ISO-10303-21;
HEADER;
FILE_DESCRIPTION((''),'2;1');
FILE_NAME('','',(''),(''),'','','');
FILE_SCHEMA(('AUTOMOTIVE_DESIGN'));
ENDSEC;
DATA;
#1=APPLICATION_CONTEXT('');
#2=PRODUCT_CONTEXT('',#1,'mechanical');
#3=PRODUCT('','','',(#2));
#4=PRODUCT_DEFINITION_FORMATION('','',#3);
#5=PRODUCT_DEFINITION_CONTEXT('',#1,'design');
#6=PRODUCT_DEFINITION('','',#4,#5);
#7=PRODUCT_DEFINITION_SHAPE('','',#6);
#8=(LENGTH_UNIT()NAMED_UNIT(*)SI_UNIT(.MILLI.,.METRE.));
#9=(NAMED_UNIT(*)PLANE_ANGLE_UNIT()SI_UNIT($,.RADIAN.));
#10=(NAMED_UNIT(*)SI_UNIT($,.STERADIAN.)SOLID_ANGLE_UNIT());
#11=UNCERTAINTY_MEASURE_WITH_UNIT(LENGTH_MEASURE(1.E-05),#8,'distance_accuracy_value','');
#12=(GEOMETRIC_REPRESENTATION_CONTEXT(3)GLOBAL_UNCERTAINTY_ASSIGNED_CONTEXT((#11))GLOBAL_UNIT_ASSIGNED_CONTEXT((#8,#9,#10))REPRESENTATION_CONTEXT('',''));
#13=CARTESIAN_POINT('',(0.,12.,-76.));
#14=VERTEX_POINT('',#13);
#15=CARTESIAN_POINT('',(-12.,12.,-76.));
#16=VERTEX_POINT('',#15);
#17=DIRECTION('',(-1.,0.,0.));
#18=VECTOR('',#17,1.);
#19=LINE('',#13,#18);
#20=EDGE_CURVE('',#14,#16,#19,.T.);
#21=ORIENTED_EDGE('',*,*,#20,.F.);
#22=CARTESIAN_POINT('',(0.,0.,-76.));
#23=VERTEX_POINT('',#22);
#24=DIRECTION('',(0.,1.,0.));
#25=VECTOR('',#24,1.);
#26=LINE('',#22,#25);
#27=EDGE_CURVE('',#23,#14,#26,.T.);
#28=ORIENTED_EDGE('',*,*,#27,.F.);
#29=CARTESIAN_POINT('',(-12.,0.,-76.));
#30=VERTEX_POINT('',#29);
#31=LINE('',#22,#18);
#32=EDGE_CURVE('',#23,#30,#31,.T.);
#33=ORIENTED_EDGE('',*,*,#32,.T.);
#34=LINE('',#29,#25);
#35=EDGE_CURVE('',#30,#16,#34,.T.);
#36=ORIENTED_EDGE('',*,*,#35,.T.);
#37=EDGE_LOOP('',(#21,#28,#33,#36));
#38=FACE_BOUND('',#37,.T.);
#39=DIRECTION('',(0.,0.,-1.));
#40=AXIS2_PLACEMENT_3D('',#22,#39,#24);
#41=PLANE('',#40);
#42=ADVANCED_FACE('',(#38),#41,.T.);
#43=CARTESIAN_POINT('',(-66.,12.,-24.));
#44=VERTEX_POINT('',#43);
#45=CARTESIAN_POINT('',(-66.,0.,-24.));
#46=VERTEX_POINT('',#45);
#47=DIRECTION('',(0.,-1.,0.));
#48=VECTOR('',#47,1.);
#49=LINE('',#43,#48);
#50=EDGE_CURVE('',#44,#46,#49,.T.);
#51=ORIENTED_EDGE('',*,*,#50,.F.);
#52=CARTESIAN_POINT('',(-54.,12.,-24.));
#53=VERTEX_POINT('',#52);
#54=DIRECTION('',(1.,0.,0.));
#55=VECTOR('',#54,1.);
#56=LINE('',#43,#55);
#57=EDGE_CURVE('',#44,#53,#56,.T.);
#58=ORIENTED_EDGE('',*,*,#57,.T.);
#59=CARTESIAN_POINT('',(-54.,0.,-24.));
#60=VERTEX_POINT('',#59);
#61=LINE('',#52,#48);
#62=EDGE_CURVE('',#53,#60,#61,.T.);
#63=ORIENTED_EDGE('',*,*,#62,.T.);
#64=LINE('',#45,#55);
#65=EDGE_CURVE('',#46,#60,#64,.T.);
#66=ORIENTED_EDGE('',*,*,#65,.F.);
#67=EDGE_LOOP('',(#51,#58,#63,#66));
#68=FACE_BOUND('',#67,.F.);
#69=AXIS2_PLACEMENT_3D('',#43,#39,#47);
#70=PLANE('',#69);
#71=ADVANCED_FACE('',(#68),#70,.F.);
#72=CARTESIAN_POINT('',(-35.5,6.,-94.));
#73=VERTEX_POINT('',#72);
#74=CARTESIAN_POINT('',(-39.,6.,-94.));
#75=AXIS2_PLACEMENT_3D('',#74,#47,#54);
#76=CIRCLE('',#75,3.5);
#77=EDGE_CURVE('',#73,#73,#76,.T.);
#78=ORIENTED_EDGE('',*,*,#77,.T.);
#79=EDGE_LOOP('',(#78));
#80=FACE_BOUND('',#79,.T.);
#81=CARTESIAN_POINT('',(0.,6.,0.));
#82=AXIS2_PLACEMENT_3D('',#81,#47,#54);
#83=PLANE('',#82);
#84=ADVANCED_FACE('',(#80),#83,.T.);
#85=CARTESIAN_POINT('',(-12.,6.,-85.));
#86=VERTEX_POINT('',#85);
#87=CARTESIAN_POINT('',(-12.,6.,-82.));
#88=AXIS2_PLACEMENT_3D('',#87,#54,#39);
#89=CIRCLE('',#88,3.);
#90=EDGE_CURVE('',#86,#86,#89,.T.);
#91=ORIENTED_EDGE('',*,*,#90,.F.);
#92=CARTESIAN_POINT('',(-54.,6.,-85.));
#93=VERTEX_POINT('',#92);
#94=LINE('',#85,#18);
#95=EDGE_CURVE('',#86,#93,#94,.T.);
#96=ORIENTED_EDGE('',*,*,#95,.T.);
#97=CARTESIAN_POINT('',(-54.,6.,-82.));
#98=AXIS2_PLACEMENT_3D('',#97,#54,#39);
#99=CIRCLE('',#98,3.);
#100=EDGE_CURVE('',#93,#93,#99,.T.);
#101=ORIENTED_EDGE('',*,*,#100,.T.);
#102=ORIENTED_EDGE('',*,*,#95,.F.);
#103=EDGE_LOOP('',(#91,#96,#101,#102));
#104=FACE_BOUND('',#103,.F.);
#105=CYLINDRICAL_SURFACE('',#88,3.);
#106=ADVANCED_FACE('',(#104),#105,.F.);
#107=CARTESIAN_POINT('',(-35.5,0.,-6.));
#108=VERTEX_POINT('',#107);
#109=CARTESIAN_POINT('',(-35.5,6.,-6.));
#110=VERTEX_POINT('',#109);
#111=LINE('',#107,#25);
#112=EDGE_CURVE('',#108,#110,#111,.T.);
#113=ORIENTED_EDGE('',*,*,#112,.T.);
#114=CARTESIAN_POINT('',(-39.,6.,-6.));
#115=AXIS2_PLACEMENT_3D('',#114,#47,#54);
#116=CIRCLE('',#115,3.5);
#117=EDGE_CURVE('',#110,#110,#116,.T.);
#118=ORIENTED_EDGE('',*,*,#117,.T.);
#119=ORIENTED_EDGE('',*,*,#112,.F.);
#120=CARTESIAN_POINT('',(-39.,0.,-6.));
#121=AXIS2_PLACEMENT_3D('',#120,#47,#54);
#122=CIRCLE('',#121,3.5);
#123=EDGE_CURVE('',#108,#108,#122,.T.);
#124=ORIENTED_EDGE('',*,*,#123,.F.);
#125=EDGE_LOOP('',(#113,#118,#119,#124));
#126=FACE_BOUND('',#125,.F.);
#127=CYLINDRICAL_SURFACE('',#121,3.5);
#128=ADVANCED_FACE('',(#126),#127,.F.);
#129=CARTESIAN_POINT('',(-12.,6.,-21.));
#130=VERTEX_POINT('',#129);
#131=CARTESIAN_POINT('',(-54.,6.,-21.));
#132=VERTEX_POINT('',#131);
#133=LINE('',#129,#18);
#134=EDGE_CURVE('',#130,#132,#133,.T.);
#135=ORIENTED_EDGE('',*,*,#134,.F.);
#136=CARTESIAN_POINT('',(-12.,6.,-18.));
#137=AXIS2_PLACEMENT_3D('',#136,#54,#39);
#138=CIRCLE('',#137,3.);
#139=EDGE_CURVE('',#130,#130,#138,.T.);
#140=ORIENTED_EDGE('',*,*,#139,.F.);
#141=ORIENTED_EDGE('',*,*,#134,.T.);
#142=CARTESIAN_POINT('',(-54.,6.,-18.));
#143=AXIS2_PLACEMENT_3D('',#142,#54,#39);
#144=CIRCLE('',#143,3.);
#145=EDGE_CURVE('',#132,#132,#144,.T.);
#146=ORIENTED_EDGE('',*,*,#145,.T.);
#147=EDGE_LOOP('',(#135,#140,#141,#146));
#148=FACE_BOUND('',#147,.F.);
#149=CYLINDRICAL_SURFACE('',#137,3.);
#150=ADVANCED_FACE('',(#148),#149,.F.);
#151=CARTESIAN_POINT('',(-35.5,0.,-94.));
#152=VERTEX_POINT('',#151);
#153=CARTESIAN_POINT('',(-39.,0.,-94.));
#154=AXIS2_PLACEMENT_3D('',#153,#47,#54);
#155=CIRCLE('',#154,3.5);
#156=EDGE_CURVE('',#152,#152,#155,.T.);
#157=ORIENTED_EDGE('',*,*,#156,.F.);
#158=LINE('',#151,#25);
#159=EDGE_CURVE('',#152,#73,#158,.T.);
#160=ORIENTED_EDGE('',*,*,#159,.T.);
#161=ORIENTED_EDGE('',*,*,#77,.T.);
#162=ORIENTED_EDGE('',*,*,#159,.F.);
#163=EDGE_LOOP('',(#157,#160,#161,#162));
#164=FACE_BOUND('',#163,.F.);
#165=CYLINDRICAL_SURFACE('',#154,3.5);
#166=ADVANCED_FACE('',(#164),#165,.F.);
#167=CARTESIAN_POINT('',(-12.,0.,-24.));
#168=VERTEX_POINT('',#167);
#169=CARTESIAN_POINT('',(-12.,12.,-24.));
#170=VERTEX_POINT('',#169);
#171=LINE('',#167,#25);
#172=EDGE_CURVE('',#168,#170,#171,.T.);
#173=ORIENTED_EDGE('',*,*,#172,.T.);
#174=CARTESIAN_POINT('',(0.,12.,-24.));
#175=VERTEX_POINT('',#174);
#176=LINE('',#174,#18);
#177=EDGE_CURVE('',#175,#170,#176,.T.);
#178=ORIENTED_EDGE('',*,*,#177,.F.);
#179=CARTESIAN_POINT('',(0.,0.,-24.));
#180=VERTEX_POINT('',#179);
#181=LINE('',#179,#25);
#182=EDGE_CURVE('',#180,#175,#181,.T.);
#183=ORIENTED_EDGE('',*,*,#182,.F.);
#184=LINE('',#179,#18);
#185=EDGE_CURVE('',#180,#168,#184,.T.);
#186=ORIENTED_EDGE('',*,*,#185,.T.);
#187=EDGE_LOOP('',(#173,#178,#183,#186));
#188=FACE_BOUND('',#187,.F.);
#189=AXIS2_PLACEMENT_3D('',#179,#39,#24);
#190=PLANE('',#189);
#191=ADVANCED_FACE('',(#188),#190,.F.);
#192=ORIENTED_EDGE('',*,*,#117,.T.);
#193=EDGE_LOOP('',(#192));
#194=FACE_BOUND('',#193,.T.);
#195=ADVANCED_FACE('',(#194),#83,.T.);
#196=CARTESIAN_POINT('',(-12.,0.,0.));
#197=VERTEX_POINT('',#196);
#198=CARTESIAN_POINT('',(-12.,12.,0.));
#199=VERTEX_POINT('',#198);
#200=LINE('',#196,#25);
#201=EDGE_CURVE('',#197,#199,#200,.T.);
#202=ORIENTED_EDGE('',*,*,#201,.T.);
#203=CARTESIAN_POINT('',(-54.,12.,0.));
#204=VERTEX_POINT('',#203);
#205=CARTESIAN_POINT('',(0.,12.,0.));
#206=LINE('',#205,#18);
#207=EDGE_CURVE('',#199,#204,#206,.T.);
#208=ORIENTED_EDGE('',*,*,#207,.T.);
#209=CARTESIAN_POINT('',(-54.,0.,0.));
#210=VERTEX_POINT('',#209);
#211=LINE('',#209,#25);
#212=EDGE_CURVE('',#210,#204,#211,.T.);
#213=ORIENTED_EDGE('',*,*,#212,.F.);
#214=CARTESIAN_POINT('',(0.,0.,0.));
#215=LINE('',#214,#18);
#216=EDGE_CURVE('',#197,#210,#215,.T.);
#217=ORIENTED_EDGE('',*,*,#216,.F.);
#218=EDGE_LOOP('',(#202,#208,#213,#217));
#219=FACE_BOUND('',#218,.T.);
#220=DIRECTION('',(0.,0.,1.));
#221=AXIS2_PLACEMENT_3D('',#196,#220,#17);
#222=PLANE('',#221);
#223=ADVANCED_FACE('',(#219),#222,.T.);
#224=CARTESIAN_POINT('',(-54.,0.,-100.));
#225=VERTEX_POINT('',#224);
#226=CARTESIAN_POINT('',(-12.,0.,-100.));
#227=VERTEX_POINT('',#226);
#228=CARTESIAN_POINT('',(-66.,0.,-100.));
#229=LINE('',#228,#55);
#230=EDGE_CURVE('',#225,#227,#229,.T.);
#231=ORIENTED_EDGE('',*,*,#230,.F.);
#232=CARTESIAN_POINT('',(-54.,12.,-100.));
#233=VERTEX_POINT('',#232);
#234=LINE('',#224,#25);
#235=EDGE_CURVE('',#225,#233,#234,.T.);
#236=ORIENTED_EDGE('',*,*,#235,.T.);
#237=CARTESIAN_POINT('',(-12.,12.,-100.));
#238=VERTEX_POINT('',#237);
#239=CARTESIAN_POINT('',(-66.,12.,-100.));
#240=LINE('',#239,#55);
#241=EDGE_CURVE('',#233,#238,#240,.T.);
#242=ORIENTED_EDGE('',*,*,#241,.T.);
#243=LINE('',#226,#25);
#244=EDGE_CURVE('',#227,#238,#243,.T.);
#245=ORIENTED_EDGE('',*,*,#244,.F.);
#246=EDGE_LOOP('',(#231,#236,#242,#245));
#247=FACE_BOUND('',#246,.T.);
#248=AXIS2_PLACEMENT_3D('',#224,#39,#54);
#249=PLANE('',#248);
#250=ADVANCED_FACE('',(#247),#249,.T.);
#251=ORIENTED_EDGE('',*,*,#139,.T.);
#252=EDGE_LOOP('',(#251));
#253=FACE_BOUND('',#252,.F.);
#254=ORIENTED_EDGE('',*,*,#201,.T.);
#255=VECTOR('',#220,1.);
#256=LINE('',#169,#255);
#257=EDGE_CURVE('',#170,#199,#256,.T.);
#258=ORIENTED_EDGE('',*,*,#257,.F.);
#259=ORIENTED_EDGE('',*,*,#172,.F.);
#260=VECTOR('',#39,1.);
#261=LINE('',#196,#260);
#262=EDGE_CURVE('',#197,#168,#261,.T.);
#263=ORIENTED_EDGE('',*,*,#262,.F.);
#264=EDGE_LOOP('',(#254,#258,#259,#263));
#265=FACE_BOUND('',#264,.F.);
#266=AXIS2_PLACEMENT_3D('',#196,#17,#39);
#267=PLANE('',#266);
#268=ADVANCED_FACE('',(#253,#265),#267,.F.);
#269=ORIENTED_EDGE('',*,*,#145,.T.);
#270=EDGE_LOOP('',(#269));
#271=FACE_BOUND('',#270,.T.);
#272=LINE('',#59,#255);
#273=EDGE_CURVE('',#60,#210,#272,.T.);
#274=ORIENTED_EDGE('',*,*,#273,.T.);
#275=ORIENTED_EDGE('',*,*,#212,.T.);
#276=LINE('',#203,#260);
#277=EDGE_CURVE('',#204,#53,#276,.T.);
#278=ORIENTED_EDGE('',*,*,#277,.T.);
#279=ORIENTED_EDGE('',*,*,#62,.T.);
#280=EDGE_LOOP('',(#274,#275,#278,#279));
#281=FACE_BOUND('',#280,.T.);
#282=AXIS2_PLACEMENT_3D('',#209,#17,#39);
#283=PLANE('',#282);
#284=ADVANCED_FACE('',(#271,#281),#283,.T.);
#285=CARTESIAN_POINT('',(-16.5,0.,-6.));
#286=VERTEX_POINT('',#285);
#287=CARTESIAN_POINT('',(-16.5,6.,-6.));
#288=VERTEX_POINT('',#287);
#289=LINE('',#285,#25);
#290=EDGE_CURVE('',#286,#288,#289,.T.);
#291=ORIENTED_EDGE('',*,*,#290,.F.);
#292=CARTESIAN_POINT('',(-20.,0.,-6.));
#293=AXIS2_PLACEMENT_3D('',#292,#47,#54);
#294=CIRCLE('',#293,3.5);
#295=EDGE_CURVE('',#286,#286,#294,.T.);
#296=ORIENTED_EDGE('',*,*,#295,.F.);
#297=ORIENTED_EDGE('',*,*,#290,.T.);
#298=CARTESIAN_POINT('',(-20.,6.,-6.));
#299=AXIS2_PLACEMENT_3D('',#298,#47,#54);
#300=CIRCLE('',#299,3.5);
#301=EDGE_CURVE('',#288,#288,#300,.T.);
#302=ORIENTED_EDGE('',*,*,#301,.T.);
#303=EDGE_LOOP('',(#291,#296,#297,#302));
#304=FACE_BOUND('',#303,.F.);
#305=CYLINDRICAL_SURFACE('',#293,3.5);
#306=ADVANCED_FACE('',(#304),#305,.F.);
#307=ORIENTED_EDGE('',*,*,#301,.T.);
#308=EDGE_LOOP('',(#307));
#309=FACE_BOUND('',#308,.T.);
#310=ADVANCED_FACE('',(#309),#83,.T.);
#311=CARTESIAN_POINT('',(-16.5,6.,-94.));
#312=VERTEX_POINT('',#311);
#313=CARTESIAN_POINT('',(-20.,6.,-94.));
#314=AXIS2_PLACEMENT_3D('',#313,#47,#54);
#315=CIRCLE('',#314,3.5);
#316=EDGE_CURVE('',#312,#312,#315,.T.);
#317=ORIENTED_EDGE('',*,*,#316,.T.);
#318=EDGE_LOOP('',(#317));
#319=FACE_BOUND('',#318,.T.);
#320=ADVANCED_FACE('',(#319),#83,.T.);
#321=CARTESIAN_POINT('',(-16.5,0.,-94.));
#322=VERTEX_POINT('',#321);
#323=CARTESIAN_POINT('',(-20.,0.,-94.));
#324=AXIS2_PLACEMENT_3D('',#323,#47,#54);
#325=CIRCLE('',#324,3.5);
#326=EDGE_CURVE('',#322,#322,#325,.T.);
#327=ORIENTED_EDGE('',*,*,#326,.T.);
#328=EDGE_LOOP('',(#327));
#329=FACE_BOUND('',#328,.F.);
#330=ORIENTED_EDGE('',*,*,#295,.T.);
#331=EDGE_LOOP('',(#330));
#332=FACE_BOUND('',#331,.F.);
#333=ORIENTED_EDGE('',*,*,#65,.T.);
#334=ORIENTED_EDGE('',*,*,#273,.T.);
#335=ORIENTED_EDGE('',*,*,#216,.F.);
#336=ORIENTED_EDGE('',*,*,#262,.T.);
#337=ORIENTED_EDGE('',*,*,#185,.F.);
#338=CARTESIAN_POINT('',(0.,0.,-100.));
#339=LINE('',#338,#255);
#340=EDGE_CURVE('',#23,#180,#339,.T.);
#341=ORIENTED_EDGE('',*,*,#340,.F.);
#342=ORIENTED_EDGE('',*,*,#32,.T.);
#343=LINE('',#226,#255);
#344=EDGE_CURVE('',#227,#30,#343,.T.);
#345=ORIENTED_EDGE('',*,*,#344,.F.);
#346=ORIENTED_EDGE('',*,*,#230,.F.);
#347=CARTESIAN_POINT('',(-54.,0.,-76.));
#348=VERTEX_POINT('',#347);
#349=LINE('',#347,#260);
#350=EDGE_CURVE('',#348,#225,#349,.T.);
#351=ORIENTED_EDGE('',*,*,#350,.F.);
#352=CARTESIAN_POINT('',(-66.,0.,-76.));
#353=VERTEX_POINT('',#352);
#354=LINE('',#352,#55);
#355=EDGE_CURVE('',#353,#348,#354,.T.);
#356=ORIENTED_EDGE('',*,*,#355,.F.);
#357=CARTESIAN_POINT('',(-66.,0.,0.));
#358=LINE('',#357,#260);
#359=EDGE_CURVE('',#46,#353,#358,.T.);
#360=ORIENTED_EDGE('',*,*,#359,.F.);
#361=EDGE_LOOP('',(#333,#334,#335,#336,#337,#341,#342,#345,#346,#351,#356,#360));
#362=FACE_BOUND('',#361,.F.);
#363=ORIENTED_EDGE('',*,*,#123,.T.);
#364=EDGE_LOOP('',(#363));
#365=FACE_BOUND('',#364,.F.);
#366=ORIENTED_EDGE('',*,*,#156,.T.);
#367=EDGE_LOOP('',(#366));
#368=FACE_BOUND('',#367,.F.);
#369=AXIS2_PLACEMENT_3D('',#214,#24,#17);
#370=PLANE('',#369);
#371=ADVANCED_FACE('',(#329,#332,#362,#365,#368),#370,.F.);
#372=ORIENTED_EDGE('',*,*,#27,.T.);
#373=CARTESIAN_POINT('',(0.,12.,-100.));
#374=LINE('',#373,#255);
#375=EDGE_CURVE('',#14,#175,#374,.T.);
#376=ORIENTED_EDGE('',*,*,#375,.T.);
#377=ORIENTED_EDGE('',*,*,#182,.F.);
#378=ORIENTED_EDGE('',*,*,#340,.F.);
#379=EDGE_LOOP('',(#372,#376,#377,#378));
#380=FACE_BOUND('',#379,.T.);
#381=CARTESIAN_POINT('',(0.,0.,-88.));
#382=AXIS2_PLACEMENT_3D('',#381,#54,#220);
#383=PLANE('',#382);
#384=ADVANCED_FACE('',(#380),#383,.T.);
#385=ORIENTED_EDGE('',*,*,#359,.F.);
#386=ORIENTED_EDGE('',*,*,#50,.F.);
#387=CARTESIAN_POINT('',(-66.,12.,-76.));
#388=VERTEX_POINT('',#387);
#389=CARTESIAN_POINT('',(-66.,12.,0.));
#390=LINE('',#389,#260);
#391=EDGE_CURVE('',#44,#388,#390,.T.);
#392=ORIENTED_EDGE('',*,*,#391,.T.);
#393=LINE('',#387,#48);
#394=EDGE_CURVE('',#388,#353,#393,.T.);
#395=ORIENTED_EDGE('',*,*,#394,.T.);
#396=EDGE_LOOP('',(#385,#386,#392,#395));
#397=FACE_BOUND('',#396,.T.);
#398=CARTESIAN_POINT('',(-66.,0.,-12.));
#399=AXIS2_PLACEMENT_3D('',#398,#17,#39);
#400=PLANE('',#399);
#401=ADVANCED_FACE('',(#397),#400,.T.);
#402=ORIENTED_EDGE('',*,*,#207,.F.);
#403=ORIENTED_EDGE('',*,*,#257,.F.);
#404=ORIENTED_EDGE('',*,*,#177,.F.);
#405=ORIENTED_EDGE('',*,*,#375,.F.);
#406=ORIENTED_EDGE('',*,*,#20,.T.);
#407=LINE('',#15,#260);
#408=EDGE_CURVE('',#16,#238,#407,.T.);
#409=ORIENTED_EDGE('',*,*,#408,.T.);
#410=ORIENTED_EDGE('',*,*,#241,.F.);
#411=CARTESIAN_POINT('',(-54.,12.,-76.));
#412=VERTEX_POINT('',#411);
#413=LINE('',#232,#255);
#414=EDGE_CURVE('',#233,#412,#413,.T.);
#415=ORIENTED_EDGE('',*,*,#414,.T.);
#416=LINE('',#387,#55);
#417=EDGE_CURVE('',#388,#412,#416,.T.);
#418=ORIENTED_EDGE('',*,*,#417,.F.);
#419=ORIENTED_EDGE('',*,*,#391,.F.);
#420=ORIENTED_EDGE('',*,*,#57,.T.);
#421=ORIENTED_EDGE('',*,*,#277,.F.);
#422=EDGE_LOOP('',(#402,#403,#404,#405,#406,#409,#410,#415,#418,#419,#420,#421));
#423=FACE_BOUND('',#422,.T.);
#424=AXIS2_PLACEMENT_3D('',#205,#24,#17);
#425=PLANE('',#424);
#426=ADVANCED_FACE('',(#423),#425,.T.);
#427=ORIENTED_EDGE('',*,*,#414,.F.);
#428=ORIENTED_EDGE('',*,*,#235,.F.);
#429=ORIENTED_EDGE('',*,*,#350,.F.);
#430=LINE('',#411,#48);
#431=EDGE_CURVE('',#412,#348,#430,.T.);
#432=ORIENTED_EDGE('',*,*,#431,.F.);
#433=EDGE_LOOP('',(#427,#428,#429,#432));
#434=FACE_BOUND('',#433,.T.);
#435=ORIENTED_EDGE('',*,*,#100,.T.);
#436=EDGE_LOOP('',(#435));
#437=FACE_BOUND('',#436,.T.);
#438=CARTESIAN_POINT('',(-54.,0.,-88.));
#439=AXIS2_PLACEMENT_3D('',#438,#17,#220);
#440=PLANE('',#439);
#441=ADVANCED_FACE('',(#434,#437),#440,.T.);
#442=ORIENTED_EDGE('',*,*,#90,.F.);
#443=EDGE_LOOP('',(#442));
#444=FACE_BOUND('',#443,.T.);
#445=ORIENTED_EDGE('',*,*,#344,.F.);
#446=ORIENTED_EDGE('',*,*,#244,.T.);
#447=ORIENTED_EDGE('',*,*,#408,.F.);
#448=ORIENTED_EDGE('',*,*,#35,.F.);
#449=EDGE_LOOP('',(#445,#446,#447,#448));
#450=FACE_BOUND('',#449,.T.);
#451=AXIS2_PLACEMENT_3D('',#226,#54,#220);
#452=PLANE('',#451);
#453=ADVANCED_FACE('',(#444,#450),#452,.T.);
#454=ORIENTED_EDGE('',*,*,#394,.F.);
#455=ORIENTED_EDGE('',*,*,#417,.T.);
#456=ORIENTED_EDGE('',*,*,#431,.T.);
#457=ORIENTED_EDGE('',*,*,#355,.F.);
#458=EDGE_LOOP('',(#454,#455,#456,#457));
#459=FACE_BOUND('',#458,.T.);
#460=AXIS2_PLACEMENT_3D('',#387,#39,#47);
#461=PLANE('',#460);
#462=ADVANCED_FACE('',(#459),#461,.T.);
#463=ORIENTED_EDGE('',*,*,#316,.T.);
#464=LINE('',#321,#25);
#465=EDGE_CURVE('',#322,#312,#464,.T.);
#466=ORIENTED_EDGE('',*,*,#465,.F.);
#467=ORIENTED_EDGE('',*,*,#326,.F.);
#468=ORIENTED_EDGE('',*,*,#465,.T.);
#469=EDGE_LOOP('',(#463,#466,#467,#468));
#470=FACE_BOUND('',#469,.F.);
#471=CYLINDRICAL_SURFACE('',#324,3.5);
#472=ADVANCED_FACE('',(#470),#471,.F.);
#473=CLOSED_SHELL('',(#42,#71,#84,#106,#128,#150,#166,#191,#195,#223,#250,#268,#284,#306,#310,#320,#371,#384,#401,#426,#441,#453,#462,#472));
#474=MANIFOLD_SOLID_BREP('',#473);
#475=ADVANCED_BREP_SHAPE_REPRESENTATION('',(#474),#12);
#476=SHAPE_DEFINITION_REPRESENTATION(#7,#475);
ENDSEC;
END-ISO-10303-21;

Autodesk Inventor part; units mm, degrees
ref_plane "YZ Plane" through (0, 0, 0) normal (1, 0, 0) x (0, 1, 0)
ref_plane "XZ Plane" through (0, 0, 0) normal (0, 1, 0) x (-1, 0, 0)
ref_plane "XY Plane" through (0, 0, 0) normal (0, 0, 1) x (1, 0, 0)
sketch "Sketch1" plane through (0, 0, 0) normal (0, 1, 0) x (-1, 0, 0)
  line L0 (0, 0) -> (66, 0)
  line L1 (66, 0) -> (66, -100)
  line L2 (66, -100) -> (0, -100)
  line L3 (0, -100) -> (0, 0)
  line L4 (66, 0) -> (54, 0)
  line L5 (54, 0) -> (54, -12)
  line L6 (54, -12) -> (66, -12)
  line L7 (66, -12) -> (66, 0)
  line L8 (0, 0) -> (12, 0)
  line L9 (12, 0) -> (12, -12)
  line L10 (12, -12) -> (0, -12)
  line L11 (0, -12) -> (0, 0)
  line L12 (0, -100) -> (12, -100)
  line L13 (12, -100) -> (12, -88)
  line L14 (12, -88) -> (0, -88)
  line L15 (0, -88) -> (0, -100)
  line L16 (66, -100) -> (54, -100)
  line L17 (54, -100) -> (54, -88)
  line L18 (54, -88) -> (66, -88)
  line L19 (66, -88) -> (66, -100)
  dimension "d0" = 66
  dimension "d1" = 100
  dimension "d2" = 12
  dimension "d3" = 12
  dimension "d4" = 12
  dimension "d5" = 12
  dimension "d6" = 12
  dimension "d7" = 12
  dimension "d8" = 12
  dimension "d9" = 12
extrude "Extrusion1" add sketch "Sketch1" along normal blind 12 contours L0 L5 L6 L1 L18 L17 L2 L13 L14 L3 L10 L9
sketch "Sketch5" plane through (-66, 0, -88) normal (-1, 0, 0) x (0, 0, 1)
  line L0 (0, 12) -> (-12, 12) projected
  line L1 (0, 12) -> (12, 12)
  line L2 (12, 12) -> (12, 0)
  line L3 (12, 0) -> (0, 0)
  line L4 (0, 0) -> (0, 12)
  line L5 (76, 12) -> (64, 12)
  line L6 (64, 12) -> (64, 0)
  line L7 (64, 0) -> (76, 0)
  line L8 (76, 0) -> (76, 12)
  point P0 (88, 0)
  dimension "d42" = 12
  dimension "d43" = 12
  dimension "d44" = 12
  dimension "d45" = 12
  dimension "d46" = 12
extrude "Extrusion5" cut sketch "Sketch5" against normal blind 12
sketch "Sketch6" plane through (0, 0, -12) normal (1, 0, 0) x (0, 0, -1)
  line L0 (76, 0) -> (76, 12) projected
  line L1 (64, 12) -> (12, 12) projected
  line L2 (76, 0) -> (64, 0)
  line L3 (64, 0) -> (64, 12)
  line L4 (64, 12) -> (76, 12)
  line L5 (76, 12) -> (76, 0)
  line L6 (64, 0) -> (12, 0) projected
  line L7 (12, 12) -> (-12, 12) projected
  line L8 (0, 0) -> (12, 0)
  line L9 (12, 0) -> (12, 12)
  line L10 (12, 12) -> (0, 12)
  line L11 (0, 12) -> (0, 0)
  point P0 (-12, 0)
  dimension "d49" = 12
  dimension "d50" = 12
extrude "Extrusion6" cut sketch "Sketch6" against normal blind 12 contours L2 L3 L4 L0 | L8 L11 L7 L9
sketch "Sketch7" plane through (-12, -12, -100) normal (1, 0, 0) x (0, 0, -1)
  circle A0 centre (-18, 18) radius 3
  circle A1 centre (-82, 18) radius 3
  line L0 (-100, 24) -> (-76, 24) projected
  line L1 (-76, 24) -> (-76, 12) projected
  line L2 (-24, 12) -> (-24, 24) projected
  line L3 (-24, 24) -> (0, 24) projected
  point P0 (-100, 12)
  dimension "d53" = 6
  dimension "d54" = 6
  dimension "d55" = 6
  dimension "d56" = 6
  dimension "d57" = 6
  dimension "d58" = 6
extrude "Extrusion7" cut sketch "Sketch7" against normal up to next
sketch "Sketch8" plane through (0, 0, 0) normal (0, -1, 0) x (1, 0, 0)
  circle A0 centre (-20, -6) radius 3.5
  circle A1 centre (-39, -6) radius 3.5
  circle A2 centre (-20, -94) radius 3.5
  circle A3 centre (-39, -94) radius 3.5
  line L0 (-12, -100) -> (-54, -100) projected
  line L1 (-54, 0) -> (-12, 0) projected
  line L2 (-12, 0) -> (-12, -24) projected
  line L3 (-12, -100) -> (-12, -76) projected
  point P0 (0, 0)
  dimension "d61" = 7
  dimension "d62" = 7
  dimension "d63" = 7
  dimension "d64" = 6
  dimension "d65" = 7
  dimension "d66" = 6
  dimension "d67" = 6
  dimension "d68" = 6
  dimension "d69" = 8
  dimension "d70" = 19
  dimension "d71" = 8
  dimension "d72" = 19
extrude "Extrusion8" cut sketch "Sketch8" against normal blind 6
properties part number "frameBack"
